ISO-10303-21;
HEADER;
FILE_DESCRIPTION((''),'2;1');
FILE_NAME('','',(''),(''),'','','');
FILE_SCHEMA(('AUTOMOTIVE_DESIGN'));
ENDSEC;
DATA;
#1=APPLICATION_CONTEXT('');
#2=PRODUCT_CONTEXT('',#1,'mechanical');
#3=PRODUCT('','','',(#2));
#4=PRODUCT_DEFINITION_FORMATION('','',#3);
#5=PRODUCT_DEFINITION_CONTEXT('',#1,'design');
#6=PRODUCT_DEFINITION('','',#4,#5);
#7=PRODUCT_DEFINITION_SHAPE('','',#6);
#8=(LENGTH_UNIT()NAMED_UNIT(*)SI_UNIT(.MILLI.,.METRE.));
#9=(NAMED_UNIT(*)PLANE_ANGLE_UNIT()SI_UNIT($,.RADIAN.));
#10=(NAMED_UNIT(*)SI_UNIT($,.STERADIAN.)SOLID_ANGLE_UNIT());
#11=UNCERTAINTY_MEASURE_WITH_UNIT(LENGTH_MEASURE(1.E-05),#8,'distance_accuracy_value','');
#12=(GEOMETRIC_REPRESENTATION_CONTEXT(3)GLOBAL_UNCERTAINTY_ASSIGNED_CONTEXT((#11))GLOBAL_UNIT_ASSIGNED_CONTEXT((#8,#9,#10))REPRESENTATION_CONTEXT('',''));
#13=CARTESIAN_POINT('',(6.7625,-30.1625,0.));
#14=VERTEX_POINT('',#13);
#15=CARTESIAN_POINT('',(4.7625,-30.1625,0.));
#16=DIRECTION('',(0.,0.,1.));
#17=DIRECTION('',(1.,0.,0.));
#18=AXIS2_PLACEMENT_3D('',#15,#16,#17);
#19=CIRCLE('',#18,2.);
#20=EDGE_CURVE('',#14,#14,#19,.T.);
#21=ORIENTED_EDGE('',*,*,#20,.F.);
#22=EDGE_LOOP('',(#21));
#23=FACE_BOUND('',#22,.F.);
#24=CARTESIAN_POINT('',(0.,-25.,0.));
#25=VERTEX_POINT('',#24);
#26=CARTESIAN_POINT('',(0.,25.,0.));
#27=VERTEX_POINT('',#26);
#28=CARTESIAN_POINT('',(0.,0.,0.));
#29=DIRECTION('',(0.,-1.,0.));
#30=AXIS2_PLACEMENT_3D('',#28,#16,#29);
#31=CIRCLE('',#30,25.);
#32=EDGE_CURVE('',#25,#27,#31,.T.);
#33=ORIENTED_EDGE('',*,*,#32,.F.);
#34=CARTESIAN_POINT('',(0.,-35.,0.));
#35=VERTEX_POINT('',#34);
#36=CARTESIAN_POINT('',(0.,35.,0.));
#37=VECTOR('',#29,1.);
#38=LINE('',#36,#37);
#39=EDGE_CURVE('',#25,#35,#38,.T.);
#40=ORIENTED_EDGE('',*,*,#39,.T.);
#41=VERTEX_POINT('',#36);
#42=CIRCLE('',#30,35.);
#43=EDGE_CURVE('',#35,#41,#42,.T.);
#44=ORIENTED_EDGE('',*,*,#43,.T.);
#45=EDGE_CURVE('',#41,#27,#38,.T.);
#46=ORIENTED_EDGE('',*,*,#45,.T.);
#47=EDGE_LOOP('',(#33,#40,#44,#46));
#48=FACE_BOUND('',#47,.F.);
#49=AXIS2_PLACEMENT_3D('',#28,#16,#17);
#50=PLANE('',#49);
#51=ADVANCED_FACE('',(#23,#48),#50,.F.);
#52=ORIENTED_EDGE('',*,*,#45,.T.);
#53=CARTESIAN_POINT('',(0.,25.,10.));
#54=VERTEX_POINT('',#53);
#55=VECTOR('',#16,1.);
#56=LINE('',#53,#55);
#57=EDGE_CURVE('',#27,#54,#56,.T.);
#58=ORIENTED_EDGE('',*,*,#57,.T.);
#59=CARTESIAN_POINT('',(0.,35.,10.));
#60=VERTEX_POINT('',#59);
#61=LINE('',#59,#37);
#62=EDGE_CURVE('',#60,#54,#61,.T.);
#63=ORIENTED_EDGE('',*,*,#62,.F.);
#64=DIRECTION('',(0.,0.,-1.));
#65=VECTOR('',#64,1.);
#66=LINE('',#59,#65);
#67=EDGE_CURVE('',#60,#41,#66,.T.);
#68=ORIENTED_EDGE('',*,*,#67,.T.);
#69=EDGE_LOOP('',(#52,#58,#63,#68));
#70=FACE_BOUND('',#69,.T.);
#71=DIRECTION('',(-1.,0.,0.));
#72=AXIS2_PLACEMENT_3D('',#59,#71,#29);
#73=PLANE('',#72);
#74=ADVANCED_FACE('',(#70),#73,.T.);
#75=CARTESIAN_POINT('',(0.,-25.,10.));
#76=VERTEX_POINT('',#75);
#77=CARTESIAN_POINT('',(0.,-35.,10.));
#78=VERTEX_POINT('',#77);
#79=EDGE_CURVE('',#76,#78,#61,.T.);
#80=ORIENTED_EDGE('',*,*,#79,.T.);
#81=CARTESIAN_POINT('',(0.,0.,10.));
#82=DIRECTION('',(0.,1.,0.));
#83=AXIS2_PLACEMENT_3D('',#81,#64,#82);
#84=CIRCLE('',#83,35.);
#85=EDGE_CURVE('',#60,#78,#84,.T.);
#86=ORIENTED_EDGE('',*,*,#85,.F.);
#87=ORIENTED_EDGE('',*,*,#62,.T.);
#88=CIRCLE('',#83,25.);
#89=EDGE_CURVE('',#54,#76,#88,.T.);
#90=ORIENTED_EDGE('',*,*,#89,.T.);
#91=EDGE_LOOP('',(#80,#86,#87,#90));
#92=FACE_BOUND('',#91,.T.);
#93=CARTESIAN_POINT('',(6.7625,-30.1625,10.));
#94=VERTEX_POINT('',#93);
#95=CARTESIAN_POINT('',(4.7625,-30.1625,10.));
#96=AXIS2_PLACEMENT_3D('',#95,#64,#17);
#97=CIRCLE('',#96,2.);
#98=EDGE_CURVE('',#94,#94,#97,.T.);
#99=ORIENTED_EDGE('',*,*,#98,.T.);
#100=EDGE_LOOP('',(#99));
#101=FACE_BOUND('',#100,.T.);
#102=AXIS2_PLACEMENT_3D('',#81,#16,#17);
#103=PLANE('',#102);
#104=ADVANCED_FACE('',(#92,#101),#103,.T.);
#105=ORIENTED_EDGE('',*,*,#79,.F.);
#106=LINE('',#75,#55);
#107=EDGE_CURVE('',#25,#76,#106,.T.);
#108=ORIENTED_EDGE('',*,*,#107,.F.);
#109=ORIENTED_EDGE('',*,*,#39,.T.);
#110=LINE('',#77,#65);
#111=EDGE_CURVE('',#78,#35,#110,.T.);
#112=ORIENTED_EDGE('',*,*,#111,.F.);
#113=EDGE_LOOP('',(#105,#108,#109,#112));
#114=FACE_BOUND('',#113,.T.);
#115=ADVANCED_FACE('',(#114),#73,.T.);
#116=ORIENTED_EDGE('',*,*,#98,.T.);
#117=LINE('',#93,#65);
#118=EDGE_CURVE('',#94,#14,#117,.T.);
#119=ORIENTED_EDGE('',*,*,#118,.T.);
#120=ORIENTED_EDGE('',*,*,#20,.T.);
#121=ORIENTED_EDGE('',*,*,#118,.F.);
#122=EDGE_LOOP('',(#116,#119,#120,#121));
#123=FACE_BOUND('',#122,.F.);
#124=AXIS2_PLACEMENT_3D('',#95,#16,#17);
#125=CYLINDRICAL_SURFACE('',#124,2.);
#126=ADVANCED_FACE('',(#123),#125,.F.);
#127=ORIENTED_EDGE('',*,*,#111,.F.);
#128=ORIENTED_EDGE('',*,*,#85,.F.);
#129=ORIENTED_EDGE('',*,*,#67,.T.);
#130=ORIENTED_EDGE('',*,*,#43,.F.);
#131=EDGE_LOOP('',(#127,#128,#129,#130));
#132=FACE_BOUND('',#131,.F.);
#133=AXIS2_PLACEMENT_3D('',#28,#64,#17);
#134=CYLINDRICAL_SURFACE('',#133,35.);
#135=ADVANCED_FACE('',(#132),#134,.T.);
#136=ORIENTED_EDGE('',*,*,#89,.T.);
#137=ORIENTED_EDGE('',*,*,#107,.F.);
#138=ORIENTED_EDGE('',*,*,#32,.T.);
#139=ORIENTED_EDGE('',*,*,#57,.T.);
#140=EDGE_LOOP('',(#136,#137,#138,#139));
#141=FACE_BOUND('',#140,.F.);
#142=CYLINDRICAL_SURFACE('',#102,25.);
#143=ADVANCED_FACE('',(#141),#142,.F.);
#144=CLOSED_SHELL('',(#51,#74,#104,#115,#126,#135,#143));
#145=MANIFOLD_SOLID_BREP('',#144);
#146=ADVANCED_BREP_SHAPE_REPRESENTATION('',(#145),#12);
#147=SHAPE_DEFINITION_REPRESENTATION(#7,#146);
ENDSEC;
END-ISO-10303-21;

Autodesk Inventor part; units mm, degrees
ref_plane "YZ Plane" through (0, 0, 0) normal (1, 0, 0) x (0, 1, 0)
ref_plane "XZ Plane" through (0, 0, 0) normal (0, 1, 0) x (-1, 0, 0)
ref_plane "XY Plane" through (0, 0, 0) normal (0, 0, 1) x (1, 0, 0)
sketch "Sketch1" plane through (0, 0, 0) normal (0, 0, 1) x (1, 0, 0)
  circle A0 centre (0, 0) radius 35
  dimension "d0" = 70
extrude "Extrusion1" add sketch "Sketch1" along normal blind 10
sketch "Sketch2" plane through (0, 0, 10) normal (0, 0, 1) x (1, 0, 0)
  circle A0 centre (0, 0) radius 25
  line L0 (0, 34.925) -> (0, 25)
  line L1 (0, -25) -> (0, -34.925)
  line L2 (0, -30.1625) -> (4.7625, -30.1625)
  circle A1 centre (4.7625, -30.1625) radius 2
  dimension "d3" = 50
  dimension "d4" = 4
extrude "Extrusion2" cut sketch "Sketch2" against normal blind 10
sketch "Sketch3" plane through (0, 0, 10) normal (0, 0, 1) x (1, 0, 0)
  circle A0 centre (0, 0) radius 35 projected
  line L0 (0, 35) -> (0, -35)
extrude "Extrusion3" cut sketch "Sketch3" against normal blind 10 contours L0 A0 picked at (-19.0322, -1.7332)
properties part number "5"
